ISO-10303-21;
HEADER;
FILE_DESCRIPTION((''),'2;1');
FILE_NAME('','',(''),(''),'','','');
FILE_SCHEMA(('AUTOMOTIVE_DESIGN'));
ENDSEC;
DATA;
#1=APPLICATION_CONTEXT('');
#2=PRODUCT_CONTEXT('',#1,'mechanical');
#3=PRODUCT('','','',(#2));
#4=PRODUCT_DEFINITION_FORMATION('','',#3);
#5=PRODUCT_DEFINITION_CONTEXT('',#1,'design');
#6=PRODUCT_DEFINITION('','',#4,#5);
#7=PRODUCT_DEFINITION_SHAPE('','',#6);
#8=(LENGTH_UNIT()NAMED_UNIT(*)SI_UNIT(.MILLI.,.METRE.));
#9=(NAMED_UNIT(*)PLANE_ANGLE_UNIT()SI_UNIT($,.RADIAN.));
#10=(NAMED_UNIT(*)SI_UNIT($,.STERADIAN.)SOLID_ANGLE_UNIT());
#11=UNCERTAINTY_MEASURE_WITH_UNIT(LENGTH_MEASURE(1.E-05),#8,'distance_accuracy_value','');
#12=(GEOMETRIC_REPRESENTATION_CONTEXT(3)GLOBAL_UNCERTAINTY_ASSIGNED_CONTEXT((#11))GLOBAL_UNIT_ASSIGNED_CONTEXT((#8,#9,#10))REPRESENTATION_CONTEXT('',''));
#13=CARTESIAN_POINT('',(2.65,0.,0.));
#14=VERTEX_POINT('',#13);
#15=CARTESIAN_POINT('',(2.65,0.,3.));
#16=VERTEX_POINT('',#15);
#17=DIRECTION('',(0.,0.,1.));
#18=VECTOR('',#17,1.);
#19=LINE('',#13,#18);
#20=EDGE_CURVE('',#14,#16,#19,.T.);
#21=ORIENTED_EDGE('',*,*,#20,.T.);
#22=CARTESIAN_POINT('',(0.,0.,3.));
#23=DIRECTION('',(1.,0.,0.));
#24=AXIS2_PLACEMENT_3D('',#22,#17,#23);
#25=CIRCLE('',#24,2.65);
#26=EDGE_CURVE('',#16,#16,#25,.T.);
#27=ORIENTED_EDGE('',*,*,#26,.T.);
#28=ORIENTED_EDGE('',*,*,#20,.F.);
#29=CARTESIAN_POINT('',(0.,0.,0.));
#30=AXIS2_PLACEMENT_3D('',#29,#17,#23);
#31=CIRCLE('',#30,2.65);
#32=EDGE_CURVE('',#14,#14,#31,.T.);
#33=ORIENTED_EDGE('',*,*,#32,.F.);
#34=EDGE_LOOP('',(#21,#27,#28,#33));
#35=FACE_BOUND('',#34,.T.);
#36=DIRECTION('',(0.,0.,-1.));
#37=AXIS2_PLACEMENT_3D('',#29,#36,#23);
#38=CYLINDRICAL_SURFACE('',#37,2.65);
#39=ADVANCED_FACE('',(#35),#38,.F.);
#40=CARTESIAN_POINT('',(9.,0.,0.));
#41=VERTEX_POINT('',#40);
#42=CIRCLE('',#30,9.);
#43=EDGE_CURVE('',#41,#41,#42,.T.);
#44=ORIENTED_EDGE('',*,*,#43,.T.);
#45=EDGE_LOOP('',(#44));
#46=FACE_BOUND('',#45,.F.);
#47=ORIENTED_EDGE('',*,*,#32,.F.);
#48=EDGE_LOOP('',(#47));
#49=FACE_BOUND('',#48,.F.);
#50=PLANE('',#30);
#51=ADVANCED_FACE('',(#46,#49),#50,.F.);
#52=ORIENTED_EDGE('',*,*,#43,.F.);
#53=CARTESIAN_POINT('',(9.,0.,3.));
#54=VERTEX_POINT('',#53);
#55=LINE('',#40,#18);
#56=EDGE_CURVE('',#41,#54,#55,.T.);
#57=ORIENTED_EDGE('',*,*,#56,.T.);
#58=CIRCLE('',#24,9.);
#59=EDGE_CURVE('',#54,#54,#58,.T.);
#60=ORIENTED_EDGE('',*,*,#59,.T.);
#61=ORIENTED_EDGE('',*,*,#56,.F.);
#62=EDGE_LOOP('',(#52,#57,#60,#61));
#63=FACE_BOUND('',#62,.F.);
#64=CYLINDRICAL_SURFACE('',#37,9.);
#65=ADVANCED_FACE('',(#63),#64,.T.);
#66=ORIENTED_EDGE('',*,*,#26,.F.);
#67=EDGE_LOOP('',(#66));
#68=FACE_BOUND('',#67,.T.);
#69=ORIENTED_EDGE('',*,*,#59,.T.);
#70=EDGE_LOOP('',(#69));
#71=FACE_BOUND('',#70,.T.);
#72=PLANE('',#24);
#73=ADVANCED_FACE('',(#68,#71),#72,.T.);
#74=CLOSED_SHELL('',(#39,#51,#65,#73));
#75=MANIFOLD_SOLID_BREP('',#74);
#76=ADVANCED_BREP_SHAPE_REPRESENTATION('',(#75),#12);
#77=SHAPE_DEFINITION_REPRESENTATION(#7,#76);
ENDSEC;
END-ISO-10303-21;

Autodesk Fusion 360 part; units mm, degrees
sketch "Sketch1" plane through (0, 0, 0) normal (0, 0, 1) x (1, 0, 0)
  circle A0 centre (0, 0) radius 9
  circle A1 centre (0, 0) radius 2.65
  dimension "d1" = 18
  dimension "d2" = 5.3
extrude "Extrude1" add sketch "Sketch1" along normal blind 3
